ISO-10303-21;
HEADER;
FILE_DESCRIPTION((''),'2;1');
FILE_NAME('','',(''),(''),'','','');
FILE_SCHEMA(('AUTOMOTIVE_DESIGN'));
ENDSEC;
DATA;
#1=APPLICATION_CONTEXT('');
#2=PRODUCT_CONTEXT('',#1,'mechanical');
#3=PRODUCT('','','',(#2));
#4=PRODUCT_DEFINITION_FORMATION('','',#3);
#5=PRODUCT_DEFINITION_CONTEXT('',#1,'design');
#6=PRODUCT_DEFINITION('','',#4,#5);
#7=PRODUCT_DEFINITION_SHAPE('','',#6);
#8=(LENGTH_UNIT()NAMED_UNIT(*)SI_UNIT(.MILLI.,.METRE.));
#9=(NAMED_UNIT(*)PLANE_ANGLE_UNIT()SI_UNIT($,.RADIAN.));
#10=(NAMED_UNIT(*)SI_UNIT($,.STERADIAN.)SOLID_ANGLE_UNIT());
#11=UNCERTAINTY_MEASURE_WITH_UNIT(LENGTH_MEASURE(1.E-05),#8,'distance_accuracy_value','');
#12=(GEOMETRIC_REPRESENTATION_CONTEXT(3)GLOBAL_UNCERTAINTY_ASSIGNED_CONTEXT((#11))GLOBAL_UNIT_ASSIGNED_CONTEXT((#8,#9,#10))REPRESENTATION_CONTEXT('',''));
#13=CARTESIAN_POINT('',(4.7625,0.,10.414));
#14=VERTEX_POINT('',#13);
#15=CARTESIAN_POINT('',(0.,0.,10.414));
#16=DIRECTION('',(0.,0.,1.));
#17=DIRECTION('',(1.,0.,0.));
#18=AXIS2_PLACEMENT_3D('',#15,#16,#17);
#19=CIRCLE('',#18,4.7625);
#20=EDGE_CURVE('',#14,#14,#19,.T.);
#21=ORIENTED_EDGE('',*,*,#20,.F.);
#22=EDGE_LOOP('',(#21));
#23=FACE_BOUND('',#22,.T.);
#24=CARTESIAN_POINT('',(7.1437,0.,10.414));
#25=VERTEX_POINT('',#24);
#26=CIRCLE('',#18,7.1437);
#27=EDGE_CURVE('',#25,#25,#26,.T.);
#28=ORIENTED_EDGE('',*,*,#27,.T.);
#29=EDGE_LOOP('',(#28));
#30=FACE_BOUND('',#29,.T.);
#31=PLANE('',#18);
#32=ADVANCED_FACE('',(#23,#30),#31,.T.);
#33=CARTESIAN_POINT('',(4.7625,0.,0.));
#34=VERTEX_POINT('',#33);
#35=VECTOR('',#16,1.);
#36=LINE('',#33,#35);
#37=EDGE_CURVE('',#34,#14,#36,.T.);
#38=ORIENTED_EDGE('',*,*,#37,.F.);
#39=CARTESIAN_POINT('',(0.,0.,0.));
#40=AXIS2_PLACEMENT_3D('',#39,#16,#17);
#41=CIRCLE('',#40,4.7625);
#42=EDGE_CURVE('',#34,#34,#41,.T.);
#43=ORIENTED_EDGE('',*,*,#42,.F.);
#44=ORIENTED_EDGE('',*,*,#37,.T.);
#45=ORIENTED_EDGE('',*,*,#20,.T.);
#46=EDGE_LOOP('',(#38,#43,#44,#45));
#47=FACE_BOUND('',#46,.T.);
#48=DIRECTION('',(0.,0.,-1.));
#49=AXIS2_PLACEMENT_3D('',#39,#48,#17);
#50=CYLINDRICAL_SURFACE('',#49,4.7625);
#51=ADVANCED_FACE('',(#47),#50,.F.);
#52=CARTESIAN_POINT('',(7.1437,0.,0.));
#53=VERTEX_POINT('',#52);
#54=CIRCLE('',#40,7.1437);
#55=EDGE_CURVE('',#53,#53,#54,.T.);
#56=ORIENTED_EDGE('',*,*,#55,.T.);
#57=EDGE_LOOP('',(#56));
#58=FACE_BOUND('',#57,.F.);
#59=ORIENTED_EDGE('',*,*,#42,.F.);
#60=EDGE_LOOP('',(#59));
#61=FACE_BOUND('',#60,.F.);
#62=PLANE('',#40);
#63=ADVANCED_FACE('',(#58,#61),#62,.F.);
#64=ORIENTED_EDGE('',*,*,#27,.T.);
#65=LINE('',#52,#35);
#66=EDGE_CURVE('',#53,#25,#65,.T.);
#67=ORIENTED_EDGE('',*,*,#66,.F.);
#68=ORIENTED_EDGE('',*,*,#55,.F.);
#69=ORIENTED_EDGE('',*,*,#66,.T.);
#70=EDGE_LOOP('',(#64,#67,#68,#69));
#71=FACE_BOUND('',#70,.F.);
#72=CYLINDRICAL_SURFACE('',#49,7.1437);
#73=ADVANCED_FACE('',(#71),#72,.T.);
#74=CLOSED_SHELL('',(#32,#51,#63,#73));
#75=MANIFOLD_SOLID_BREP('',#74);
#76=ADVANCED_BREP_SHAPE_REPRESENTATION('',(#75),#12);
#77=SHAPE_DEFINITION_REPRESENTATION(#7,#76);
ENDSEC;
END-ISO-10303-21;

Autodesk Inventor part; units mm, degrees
ref_plane "YZ Plane" through (0, 0, 0) normal (1, 0, 0) x (0, 1, 0)
ref_plane "XZ Plane" through (0, 0, 0) normal (0, 1, 0) x (-1, 0, 0)
ref_plane "XY Plane" through (0, 0, 0) normal (0, 0, 1) x (1, 0, 0)
sketch "Sketch1" plane through (0, 0, 0) normal (0, 0, 1) x (1, 0, 0)
  circle A0 centre (0, 0) radius 7.1437
  circle A1 centre (0, 0) radius 4.7625
  dimension "d0" = 14.2875
  dimension "d1" = 9.525
extrude "Extrusion1" add sketch "Sketch1" along normal blind 10.414
thread "Thread1" size "9/16-18 UNF" class "2A" standard "ANSI Unified Screw Threads" full length
thread "Thread2" size "3/8-16 UNC" class "2B" standard "ANSI Unified Screw Threads" full length
properties material "Polyethylene, High Density"
